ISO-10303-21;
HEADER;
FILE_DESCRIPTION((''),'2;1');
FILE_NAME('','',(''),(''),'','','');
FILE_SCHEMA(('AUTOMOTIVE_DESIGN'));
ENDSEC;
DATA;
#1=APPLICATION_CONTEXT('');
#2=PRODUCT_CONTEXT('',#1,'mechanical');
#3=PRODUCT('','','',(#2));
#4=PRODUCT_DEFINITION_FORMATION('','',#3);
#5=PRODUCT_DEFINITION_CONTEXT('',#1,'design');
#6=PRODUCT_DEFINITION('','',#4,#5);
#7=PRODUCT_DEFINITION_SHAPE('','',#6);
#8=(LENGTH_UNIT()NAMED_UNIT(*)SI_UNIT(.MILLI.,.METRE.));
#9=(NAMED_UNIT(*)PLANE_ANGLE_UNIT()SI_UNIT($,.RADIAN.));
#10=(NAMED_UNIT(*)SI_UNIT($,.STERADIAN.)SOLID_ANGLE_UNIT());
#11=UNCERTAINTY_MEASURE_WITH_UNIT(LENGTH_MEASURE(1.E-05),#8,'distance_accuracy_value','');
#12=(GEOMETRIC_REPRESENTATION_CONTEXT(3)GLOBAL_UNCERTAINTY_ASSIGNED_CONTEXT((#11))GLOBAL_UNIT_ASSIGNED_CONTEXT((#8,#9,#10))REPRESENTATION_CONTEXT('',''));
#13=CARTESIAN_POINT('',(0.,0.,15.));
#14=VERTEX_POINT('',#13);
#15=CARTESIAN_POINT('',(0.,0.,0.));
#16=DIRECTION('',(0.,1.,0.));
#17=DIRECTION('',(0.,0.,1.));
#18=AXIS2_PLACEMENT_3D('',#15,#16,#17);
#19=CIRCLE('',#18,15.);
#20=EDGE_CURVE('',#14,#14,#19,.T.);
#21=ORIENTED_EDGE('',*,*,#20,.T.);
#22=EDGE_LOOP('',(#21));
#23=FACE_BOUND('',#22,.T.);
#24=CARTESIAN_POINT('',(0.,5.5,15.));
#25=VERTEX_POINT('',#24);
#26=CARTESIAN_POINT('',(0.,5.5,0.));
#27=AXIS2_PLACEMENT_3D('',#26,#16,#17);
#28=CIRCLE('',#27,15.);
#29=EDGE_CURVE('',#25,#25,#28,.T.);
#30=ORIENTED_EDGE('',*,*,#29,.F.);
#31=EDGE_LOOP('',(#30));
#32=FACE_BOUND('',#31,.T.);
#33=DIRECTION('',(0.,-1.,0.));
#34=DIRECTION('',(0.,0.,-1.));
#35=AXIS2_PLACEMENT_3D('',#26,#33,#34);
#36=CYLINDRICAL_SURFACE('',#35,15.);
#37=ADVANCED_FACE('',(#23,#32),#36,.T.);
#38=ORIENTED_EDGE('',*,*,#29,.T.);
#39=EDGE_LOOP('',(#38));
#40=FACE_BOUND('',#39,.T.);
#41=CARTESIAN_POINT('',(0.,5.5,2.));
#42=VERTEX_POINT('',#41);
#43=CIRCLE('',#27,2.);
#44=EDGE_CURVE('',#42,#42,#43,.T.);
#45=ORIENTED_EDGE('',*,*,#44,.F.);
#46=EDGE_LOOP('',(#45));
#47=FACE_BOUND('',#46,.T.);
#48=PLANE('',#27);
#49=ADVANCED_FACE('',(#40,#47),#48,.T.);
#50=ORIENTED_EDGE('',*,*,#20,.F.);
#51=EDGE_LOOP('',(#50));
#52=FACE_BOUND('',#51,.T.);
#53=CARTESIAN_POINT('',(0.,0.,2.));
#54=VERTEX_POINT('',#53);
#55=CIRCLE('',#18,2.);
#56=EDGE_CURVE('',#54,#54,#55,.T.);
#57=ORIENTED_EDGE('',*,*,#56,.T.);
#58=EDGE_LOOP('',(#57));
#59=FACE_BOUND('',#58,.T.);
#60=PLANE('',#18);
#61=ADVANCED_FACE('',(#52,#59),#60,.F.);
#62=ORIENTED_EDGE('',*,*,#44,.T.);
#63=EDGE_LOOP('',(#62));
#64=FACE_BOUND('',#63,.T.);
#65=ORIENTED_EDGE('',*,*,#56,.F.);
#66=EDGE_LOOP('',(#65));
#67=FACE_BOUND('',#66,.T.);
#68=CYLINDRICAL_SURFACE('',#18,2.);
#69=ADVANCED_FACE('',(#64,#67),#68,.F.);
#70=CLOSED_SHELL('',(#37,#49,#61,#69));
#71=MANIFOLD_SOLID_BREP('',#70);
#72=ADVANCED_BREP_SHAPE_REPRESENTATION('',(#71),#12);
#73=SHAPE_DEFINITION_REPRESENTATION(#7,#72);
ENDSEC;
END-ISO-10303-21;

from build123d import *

# Parameters (mm, degrees)
SKETCH_1_R          = 15
EXTRUDE_1_DEPTH     = 5.5
SKETCH_2_R          = 2
CUT_EXTRUDE_1_DEPTH = 22.914607001


with BuildPart() as part:
    # ｽｹｯﾁ1 → ﾎﾞｽ - 押し出し1 (new body)
    with BuildSketch(Plane(origin=(0, 0, 0), x_dir=(1, 0, 0), z_dir=(0, 1, 0))):
        with Locations(Location((0, 0, 0), (0, 0, 270))):
            Circle(SKETCH_1_R)
    extrude(amount=EXTRUDE_1_DEPTH)

    # ｽｹｯﾁ2 → ｶｯﾄ - 押し出し1 (cut, through all)
    with BuildSketch(Plane(origin=(0, 5.5, 0), x_dir=(1, 0, 0), z_dir=(0, 1, 0))):
        with Locations(Location((0, 0, 0), (0, 0, 270))):
            Circle(SKETCH_2_R)
    extrude(amount=-CUT_EXTRUDE_1_DEPTH, mode=Mode.SUBTRACT)


solid = part.part
